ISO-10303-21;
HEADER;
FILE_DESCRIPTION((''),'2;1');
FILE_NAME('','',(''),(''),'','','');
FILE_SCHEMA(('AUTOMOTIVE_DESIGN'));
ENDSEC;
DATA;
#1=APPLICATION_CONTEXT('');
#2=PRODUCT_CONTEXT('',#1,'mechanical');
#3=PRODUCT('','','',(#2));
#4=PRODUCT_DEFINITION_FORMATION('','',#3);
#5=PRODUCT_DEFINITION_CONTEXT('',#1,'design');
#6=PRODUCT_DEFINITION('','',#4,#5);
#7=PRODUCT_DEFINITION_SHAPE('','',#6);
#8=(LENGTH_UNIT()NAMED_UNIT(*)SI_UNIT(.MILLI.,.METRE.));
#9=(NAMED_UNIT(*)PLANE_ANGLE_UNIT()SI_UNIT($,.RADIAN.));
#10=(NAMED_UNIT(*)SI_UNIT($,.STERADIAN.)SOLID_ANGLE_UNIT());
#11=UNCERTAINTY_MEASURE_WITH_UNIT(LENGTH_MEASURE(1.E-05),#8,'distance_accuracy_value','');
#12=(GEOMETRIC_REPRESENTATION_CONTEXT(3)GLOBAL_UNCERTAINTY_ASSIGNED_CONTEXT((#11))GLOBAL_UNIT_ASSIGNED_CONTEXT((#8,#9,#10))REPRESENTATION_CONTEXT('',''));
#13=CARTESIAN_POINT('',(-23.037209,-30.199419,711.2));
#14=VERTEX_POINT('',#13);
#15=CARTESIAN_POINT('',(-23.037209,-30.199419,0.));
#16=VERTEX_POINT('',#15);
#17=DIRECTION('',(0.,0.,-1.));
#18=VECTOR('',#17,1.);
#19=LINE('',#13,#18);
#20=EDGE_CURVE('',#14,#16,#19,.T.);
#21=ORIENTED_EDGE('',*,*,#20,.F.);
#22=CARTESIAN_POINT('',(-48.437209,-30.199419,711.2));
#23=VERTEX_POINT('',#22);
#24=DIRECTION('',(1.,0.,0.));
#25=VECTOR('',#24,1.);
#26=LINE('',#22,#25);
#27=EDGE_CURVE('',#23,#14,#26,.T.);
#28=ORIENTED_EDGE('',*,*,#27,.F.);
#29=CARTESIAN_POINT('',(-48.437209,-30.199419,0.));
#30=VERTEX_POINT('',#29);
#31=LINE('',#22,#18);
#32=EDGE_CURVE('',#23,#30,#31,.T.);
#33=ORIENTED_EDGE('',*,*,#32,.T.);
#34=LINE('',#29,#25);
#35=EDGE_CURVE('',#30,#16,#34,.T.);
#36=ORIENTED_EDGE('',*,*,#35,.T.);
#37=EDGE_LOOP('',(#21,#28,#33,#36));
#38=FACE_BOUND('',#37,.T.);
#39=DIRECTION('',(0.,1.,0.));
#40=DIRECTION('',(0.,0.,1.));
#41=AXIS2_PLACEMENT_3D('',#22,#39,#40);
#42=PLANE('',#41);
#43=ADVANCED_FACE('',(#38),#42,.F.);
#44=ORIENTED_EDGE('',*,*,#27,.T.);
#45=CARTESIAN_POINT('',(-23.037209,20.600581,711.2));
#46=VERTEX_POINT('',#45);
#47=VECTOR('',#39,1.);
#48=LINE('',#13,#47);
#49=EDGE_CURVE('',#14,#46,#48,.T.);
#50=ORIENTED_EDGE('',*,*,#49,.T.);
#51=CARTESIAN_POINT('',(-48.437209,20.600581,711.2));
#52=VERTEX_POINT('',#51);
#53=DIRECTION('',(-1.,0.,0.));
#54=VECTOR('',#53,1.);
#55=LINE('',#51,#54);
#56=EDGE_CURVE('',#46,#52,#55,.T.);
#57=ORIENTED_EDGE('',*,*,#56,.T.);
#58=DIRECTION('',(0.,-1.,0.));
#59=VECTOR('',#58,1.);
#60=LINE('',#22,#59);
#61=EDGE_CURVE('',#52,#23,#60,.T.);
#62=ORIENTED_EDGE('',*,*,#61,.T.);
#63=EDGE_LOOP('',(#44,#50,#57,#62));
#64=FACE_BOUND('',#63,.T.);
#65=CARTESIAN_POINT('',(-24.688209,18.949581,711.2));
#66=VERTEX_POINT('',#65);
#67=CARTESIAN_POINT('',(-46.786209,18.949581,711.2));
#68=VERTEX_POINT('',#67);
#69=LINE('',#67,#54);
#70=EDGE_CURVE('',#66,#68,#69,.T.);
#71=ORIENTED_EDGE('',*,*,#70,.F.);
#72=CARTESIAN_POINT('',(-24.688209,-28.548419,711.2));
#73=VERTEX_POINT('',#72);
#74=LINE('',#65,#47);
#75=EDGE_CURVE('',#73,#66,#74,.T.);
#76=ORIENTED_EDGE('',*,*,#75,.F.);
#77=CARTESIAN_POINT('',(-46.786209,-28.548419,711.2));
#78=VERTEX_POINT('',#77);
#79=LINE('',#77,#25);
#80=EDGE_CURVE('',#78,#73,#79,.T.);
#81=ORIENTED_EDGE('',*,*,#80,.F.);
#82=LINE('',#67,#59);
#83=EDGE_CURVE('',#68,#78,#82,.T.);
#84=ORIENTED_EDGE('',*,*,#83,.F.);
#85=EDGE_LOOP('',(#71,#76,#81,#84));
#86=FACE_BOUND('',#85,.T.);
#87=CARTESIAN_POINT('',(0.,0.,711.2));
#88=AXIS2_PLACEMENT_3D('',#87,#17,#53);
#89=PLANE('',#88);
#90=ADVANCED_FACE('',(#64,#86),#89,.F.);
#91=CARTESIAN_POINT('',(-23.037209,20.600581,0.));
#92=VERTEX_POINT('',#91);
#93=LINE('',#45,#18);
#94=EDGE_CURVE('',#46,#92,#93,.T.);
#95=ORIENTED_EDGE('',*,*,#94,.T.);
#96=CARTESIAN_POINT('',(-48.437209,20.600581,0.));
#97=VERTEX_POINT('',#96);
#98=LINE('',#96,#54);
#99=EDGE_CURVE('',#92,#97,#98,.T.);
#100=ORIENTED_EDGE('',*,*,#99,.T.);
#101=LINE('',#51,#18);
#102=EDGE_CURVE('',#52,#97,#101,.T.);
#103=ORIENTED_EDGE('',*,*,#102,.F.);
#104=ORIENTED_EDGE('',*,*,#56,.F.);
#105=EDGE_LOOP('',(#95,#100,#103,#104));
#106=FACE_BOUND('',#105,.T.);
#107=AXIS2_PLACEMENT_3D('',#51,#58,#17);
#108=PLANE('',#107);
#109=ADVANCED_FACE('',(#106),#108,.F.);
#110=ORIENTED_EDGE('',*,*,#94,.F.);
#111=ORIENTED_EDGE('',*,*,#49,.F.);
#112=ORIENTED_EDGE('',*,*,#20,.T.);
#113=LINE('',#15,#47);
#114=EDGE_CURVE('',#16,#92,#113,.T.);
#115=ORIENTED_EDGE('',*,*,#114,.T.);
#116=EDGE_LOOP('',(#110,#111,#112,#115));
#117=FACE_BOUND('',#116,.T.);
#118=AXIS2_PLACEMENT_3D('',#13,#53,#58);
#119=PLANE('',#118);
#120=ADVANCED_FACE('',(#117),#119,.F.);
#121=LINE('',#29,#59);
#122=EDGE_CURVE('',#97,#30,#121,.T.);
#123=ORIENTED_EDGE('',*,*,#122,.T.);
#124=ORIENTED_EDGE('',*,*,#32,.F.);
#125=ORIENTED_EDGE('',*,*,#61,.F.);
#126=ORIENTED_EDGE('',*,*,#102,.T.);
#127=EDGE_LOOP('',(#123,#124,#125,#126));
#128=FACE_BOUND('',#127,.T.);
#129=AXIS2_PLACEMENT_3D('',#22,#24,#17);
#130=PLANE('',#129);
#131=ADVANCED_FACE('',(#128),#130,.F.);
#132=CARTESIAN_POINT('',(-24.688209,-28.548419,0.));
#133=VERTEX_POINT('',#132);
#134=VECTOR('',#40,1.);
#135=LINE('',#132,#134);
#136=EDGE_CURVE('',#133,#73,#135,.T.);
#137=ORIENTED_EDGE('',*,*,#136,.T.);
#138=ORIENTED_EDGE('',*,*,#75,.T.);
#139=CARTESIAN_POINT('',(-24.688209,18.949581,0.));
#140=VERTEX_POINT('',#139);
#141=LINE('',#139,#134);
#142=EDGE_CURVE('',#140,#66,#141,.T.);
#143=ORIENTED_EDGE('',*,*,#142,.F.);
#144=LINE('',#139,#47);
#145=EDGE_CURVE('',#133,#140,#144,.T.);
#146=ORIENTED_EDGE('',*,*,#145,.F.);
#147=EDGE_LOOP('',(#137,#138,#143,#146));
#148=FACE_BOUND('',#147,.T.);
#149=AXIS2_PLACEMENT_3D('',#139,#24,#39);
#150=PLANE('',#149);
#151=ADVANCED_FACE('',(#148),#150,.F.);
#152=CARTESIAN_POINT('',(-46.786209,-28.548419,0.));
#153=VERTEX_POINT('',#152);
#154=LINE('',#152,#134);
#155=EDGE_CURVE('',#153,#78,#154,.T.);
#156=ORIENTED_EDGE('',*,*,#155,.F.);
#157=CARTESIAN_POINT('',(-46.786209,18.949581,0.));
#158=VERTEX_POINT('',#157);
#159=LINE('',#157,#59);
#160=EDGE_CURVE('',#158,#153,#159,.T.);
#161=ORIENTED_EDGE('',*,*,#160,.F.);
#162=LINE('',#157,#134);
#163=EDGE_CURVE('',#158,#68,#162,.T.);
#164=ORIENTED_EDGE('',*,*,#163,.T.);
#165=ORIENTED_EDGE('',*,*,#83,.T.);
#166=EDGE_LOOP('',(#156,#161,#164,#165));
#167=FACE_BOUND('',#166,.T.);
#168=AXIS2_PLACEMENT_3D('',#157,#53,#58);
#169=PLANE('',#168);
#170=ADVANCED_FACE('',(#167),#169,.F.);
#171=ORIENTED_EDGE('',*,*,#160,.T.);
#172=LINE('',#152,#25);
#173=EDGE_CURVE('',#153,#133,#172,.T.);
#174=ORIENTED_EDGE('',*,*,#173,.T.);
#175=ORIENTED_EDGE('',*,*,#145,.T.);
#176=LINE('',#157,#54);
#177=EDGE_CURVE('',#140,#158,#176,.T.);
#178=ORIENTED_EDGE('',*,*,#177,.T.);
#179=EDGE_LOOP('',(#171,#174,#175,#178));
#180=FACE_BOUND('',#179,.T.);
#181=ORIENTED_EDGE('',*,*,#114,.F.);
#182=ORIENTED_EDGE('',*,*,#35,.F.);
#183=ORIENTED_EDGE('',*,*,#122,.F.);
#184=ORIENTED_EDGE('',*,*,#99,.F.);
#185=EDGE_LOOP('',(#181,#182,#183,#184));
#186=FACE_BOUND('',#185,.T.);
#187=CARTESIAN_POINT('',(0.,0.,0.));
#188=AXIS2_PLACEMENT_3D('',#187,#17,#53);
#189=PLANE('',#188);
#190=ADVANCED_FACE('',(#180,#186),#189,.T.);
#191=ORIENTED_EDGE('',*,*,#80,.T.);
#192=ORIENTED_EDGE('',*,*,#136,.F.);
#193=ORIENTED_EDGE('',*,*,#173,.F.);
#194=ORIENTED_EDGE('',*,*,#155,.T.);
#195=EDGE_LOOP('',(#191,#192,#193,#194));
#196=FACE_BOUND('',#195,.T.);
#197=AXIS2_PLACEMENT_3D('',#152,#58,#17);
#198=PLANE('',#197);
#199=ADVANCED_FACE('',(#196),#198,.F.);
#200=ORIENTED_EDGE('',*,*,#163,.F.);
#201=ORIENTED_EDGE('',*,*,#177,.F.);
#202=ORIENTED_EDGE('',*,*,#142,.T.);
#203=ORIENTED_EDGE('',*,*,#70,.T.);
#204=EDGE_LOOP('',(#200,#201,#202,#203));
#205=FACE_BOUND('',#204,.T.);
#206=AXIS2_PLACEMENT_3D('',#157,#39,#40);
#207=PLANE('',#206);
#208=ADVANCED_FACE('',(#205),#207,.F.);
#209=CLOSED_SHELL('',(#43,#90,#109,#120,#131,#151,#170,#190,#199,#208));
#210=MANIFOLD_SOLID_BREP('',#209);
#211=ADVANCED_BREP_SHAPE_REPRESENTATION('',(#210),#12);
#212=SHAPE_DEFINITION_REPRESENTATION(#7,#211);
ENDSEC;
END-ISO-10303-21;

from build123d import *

# Parameters (mm, degrees)
SKETCH1_W           = 25.4
SKETCH1_H           = 50.8
BOSS_EXTRUDE1_DEPTH = 711.2
SKETCH2_W           = 22.098
SKETCH2_H           = 47.498
CUT_EXTRUDE1_DEPTH  = 714.486936201


with BuildPart() as part:
    # Sketch1 → Boss-Extrude1 (new body)
    with BuildSketch(Plane.XY):
        with Locations((-35.737209302, -4.799418605)):
            Rectangle(SKETCH1_W, SKETCH1_H)
    extrude(amount=BOSS_EXTRUDE1_DEPTH)

    # Sketch2 → Cut-Extrude1 (cut, through all)
    with BuildSketch(Plane.XY.offset(711.2)):
        with Locations((-35.737209302, -4.799418605)):
            Rectangle(SKETCH2_W, SKETCH2_H)
    extrude(amount=-CUT_EXTRUDE1_DEPTH, mode=Mode.SUBTRACT)


solid = part.part
